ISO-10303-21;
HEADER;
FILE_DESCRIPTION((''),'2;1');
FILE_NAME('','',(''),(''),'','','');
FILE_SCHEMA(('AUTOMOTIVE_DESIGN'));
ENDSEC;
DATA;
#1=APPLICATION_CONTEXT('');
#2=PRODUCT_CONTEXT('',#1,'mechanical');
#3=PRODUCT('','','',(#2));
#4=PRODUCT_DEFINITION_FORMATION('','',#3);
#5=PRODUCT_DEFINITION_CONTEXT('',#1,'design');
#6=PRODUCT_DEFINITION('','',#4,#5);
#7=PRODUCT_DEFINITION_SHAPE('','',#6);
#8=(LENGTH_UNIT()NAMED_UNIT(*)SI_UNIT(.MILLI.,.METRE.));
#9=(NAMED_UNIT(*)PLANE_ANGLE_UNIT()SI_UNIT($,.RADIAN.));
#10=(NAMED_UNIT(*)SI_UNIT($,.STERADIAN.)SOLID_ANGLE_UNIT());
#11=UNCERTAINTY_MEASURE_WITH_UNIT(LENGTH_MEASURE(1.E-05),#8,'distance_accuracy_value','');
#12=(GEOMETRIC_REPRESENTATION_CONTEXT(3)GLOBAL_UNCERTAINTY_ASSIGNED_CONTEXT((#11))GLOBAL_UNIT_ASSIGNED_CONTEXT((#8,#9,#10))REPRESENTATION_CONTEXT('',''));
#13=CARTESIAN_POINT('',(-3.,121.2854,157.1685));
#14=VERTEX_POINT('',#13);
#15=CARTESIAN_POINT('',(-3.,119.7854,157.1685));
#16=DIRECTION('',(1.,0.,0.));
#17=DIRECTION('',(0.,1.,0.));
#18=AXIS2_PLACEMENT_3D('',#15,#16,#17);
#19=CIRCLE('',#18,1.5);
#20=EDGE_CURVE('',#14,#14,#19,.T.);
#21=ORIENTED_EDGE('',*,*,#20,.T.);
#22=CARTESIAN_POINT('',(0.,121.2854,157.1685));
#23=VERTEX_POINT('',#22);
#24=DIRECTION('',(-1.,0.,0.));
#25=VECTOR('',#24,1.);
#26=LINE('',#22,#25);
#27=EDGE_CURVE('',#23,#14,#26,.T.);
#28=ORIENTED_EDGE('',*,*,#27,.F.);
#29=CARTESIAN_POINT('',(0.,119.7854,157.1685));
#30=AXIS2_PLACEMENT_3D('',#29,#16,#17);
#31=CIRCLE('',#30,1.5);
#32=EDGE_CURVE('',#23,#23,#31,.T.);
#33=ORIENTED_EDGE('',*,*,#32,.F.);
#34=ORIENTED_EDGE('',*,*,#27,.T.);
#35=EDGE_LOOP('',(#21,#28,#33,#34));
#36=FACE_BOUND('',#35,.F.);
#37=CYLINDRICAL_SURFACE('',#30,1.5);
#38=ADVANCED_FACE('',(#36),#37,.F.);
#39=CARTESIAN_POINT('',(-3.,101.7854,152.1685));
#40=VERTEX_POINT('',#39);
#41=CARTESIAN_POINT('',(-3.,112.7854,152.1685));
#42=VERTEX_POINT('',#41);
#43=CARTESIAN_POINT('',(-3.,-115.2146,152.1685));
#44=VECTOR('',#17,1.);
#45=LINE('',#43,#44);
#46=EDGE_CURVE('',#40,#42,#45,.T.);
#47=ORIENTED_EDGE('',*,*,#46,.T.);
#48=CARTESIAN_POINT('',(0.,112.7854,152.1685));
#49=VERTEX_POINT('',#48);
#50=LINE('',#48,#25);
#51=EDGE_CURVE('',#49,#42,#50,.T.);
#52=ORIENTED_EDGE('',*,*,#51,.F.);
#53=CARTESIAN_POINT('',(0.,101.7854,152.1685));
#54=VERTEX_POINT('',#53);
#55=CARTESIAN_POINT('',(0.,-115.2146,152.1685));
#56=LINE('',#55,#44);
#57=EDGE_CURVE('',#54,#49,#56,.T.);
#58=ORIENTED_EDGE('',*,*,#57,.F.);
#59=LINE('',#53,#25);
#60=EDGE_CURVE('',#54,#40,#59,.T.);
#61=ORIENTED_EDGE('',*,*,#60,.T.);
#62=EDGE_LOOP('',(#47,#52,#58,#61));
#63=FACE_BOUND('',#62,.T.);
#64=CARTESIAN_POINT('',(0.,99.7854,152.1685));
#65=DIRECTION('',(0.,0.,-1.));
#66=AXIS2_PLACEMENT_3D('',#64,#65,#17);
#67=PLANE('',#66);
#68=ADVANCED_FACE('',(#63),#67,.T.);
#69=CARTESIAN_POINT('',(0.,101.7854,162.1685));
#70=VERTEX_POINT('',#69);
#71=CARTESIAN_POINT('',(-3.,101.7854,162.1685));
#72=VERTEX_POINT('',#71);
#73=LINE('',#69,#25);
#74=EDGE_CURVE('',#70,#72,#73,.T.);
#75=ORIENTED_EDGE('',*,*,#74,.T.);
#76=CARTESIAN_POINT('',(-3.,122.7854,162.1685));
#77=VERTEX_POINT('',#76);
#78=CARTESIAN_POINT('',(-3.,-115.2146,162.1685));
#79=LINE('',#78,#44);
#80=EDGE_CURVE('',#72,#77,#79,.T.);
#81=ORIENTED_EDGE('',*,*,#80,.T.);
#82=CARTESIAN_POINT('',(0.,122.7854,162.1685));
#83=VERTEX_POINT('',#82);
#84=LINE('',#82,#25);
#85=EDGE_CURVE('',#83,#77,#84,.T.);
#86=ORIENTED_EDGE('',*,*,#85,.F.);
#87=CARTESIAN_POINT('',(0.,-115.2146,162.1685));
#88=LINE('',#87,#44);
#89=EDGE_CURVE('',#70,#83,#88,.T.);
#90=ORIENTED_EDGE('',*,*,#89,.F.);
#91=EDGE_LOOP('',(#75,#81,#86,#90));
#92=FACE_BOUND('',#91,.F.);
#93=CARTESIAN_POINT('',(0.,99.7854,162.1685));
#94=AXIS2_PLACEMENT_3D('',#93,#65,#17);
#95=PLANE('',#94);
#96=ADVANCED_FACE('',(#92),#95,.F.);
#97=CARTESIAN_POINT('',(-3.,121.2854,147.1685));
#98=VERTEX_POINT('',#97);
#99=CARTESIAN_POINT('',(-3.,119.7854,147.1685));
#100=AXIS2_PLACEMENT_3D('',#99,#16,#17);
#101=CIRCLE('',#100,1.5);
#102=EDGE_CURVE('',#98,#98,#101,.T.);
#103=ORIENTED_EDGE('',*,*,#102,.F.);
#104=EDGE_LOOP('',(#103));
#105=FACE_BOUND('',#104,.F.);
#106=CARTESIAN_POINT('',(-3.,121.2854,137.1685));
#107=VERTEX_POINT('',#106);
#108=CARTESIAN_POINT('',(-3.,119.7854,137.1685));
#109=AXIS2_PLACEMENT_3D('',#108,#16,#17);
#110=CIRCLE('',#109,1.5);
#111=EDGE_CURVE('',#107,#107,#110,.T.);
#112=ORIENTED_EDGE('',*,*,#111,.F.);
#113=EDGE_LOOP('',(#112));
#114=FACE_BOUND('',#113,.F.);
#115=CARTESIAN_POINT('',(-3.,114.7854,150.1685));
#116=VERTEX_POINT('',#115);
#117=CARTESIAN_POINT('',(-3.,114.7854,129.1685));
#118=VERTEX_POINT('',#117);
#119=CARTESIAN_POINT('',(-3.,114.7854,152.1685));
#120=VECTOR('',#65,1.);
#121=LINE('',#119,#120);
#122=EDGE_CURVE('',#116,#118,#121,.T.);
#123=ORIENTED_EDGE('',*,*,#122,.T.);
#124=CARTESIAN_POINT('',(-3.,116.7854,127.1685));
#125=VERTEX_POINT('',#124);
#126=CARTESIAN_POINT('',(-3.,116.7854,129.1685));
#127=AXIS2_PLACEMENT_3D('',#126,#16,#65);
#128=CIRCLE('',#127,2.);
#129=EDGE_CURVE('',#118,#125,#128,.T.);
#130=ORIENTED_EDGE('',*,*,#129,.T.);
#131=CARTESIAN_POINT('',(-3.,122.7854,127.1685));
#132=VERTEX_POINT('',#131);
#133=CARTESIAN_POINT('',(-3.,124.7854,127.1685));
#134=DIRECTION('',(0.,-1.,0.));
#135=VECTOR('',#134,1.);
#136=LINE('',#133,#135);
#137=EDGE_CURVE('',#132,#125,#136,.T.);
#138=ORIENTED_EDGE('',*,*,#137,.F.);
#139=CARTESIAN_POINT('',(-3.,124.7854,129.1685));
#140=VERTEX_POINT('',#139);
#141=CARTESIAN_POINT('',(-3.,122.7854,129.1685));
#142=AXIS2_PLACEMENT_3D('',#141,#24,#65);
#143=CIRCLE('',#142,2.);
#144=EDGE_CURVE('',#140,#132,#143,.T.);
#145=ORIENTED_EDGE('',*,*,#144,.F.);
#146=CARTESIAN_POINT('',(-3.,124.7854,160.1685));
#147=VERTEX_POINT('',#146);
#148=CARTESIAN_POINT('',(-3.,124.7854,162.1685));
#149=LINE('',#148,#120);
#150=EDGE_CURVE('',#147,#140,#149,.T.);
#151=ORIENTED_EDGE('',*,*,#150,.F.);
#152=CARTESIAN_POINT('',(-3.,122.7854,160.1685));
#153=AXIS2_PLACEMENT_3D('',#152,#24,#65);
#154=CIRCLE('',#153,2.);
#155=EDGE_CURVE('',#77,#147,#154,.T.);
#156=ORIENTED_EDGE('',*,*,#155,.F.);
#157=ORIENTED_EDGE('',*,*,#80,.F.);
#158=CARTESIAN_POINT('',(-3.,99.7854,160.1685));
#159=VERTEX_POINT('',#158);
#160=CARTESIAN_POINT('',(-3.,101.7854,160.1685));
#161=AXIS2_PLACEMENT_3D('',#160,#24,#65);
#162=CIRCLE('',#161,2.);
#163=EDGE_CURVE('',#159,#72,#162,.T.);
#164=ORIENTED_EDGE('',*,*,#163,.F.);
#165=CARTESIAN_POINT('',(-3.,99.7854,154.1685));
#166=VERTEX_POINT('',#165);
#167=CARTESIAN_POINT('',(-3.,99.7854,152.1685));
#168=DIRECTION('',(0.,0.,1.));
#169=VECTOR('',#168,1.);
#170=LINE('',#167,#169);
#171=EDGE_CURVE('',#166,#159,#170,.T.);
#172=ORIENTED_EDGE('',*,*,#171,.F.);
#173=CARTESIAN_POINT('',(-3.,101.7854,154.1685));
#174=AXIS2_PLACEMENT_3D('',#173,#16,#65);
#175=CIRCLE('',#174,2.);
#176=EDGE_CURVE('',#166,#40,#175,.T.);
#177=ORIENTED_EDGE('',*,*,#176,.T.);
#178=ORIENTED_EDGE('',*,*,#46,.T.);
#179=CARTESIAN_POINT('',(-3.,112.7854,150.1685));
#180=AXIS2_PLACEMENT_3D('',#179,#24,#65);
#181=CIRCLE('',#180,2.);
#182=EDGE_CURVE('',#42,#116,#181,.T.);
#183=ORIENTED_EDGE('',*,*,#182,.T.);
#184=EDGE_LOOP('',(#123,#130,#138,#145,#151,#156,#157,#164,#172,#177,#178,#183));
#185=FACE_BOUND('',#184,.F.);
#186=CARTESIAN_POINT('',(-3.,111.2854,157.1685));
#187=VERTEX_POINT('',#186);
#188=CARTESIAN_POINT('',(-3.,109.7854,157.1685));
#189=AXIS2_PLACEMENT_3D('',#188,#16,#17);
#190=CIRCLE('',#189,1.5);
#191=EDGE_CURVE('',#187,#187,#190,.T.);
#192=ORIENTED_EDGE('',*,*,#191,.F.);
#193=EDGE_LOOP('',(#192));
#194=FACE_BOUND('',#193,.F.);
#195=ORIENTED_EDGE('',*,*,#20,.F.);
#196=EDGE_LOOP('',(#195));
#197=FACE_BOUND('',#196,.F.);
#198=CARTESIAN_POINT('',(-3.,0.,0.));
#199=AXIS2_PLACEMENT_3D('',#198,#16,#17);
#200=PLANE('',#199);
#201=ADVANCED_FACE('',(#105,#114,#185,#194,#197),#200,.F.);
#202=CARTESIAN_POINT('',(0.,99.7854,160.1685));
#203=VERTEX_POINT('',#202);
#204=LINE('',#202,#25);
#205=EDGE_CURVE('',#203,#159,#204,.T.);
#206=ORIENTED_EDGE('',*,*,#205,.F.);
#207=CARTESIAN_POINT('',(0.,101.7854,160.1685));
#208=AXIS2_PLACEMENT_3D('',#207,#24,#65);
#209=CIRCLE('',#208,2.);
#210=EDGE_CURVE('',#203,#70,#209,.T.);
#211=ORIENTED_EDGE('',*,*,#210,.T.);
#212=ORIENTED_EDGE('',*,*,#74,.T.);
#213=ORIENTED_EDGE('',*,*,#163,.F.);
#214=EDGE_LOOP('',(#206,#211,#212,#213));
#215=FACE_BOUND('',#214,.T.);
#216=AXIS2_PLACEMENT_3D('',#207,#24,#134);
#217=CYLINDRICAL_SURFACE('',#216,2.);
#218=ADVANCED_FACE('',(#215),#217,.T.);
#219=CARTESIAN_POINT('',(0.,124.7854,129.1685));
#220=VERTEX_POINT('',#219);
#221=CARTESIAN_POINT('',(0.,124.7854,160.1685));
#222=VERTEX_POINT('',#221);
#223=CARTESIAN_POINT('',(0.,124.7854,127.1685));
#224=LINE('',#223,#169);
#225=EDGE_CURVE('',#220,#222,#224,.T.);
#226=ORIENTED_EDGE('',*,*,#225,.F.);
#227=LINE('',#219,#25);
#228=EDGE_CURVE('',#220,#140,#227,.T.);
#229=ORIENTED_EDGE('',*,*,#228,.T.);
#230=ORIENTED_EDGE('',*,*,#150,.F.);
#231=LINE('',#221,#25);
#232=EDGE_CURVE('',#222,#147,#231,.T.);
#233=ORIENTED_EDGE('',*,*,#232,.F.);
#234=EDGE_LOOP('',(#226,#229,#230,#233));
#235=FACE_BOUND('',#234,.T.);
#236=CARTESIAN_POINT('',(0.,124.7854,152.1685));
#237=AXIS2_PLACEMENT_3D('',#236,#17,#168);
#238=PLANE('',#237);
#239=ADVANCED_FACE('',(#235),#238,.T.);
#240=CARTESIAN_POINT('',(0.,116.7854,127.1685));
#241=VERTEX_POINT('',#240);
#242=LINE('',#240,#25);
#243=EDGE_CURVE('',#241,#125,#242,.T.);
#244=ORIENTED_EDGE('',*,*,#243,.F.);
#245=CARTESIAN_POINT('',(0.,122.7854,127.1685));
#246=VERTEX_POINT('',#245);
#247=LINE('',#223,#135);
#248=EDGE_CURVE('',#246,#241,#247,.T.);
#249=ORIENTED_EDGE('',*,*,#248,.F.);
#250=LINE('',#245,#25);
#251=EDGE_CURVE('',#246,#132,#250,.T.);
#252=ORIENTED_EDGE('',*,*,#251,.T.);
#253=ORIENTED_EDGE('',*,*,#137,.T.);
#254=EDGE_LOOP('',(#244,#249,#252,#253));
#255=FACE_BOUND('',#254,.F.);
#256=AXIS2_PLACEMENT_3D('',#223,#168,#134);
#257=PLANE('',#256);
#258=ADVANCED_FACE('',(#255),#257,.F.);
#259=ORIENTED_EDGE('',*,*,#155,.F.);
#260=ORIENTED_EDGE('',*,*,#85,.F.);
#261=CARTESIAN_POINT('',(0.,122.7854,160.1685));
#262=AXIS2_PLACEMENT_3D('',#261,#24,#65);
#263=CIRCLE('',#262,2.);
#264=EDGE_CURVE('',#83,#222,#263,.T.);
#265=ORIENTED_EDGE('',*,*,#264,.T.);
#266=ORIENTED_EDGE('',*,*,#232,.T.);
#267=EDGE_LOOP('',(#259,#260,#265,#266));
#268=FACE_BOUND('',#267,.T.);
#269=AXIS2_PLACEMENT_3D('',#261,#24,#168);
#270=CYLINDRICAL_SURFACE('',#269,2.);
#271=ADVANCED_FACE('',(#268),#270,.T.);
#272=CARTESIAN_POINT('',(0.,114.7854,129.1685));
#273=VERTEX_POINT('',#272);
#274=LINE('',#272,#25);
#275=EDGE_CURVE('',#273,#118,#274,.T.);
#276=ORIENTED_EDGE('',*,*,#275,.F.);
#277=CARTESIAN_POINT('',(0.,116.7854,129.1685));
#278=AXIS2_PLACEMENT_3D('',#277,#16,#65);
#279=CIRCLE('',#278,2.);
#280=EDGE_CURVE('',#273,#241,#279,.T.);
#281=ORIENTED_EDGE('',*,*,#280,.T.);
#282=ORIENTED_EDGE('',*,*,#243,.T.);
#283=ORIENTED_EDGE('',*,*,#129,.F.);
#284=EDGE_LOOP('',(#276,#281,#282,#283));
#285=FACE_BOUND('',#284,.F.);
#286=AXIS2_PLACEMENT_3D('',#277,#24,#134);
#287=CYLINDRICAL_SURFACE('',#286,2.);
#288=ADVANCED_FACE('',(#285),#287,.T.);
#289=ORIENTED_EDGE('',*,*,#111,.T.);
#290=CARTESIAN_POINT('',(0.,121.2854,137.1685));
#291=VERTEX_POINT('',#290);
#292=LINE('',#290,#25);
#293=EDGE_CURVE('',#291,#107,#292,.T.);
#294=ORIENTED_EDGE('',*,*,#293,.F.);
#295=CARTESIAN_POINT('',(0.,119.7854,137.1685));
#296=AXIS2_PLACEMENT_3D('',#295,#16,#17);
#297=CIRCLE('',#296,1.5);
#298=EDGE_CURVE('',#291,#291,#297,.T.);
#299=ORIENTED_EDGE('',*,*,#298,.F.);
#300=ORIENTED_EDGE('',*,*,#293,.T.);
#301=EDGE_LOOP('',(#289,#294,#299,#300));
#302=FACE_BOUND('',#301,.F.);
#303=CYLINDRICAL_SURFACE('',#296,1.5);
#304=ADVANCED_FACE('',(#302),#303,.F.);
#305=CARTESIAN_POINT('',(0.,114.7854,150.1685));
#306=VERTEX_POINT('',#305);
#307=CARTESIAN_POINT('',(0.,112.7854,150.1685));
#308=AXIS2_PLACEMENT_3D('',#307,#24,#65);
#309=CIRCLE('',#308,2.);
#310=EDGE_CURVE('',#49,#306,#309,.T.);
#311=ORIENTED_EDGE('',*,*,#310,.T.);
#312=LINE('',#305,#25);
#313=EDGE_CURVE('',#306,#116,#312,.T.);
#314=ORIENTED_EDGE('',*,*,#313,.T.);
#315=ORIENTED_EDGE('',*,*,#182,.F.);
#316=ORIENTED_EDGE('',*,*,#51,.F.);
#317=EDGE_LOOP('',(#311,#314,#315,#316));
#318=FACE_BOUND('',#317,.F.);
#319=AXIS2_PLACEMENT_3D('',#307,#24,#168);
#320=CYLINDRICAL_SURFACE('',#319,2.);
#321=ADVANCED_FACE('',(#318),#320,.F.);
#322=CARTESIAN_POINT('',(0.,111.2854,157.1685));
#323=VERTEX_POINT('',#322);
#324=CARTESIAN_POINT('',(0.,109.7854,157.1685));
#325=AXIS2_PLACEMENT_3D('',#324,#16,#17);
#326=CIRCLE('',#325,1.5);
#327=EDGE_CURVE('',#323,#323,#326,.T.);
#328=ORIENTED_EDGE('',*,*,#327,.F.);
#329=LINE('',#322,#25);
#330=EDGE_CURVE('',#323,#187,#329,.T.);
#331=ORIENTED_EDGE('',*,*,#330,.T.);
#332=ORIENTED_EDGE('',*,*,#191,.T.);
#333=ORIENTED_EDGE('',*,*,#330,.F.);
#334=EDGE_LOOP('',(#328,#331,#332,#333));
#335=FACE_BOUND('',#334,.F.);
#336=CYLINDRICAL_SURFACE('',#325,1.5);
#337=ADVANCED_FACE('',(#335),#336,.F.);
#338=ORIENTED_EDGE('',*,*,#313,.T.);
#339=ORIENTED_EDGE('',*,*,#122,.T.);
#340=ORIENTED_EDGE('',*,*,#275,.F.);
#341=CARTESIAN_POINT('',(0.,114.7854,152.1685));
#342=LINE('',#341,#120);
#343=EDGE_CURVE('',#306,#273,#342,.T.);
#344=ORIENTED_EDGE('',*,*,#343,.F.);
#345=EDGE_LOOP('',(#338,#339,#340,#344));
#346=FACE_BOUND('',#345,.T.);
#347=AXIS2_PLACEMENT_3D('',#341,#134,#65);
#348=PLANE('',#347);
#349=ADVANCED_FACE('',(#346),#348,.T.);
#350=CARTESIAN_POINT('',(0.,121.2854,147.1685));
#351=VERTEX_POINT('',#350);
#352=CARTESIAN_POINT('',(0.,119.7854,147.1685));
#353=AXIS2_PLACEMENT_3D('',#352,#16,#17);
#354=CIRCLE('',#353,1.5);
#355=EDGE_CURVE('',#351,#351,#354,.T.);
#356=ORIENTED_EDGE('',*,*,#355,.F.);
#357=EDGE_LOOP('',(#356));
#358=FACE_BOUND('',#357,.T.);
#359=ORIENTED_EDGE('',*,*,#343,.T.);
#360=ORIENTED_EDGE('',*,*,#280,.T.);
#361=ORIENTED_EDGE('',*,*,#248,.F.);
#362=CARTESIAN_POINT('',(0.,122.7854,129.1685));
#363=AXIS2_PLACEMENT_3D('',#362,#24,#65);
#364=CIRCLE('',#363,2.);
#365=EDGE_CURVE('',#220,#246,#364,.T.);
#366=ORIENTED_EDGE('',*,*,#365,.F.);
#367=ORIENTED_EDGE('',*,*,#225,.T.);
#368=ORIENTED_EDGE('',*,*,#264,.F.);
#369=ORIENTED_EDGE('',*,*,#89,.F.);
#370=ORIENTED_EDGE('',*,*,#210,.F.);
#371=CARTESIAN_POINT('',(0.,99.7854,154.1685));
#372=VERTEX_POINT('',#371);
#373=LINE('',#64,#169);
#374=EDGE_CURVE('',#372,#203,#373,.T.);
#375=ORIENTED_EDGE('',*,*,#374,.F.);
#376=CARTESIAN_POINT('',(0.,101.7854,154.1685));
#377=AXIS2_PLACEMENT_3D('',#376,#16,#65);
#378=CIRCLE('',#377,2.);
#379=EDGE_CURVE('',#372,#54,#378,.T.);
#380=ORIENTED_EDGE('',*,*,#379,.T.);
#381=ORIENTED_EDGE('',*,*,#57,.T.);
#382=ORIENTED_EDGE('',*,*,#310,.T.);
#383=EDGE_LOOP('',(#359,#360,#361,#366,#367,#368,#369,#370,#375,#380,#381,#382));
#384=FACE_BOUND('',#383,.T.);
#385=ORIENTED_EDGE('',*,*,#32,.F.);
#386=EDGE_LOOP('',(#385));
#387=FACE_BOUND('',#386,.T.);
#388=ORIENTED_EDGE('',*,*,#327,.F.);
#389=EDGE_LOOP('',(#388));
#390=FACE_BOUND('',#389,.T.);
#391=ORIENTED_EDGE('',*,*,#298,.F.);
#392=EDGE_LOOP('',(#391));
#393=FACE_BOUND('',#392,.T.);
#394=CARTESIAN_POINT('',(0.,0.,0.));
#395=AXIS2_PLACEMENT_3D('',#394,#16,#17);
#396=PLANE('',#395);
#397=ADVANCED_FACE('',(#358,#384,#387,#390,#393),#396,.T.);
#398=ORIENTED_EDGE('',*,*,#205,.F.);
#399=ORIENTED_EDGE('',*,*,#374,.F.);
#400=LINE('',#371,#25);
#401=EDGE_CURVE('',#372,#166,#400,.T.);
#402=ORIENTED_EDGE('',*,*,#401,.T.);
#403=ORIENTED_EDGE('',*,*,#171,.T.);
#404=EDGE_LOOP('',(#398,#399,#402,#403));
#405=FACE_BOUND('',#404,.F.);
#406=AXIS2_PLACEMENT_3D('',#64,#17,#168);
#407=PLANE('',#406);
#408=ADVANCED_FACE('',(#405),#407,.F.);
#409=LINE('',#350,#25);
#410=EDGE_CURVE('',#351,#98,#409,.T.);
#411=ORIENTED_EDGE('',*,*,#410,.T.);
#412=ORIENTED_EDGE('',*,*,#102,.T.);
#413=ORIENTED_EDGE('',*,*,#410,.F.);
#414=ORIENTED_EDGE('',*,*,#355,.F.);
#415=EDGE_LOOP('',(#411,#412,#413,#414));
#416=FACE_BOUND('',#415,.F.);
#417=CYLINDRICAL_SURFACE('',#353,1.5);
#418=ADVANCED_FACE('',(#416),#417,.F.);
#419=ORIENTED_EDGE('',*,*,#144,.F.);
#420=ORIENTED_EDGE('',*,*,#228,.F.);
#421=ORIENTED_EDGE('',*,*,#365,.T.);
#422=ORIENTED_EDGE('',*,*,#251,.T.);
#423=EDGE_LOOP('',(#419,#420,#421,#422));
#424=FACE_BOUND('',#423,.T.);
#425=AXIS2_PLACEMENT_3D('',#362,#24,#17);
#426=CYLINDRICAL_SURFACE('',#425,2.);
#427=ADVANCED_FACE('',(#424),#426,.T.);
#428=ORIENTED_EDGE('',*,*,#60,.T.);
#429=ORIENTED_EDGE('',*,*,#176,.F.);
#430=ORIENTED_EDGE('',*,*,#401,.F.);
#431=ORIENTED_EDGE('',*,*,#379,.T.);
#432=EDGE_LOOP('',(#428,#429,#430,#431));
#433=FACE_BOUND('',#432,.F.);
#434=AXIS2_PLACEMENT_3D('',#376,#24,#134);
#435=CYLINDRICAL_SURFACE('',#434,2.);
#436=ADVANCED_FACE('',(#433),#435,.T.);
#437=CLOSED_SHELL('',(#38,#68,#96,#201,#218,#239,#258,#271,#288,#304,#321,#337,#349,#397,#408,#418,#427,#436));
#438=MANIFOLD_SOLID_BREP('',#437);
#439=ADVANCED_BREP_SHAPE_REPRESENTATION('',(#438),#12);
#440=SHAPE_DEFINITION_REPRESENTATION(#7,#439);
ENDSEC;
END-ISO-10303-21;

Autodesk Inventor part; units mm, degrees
ref_plane "YZ Plane" through (0, 0, 0) normal (1, 0, 0) x (0, 1, 0)
ref_plane "XZ Plane" through (0, 0, 0) normal (0, 1, 0) x (-1, 0, 0)
ref_plane "XY Plane" through (0, 0, 0) normal (0, 0, 1) x (1, 0, 0)
sketch "スケッチ1" plane through (0, 0, 0) normal (1, 0, 0) x (0, 1, 0)
  line L0 (-115.2146, 152.1685) -> (124.7854, 152.1685)
  line L1 (124.7854, 152.1685) -> (114.7854, 152.1685)
  line L2 (114.7854, 152.1685) -> (114.7854, -77.8315)
  line L3 (114.7854, -77.8315) -> (124.7854, -77.8315)
  line L4 (124.7854, -77.8315) -> (124.7854, 152.1685)
  line L5 (-115.2146, 152.1685) -> (-105.2146, 152.1685)
  line L6 (-105.2146, 152.1685) -> (-105.2146, -77.8315)
  line L7 (-105.2146, -77.8315) -> (-115.2146, -77.8315)
  line L8 (-115.2146, -77.8315) -> (-115.2146, 152.1685)
  line L9 (124.7854, 152.1685) -> (124.7854, 162.1685)
  line L10 (-115.2146, 162.1685) -> (124.7854, 162.1685)
  line L11 (4.7854, 162.1685) -> (4.7854, -110.7311)
  line L12 (124.7854, 127.1685) -> (114.7854, 127.1685)
  line L13 (99.7854, 152.1685) -> (99.7854, 162.1685)
  circle A0 centre (119.7854, 137.1685) radius 1.5
  circle A1 centre (119.7854, 147.1685) radius 1.5
  circle A2 centre (119.7854, 157.1685) radius 1.5
  circle A3 centre (109.7854, 157.1685) radius 1.5
  line L14 (114.7854, 152.1685) -> (99.7854, 152.1685)
  line L15 (124.7854, 152.1685) -> (124.7854, 162.1685)
  line L16 (124.7854, 162.1685) -> (99.7854, 162.1685)
  point P0 (0, 0)
  point P1 (4.7854, -147.8315)
  point P2 (-110.2146, 157.1685)
  point P3 (-100.2146, 157.1685)
  point P4 (-110.2146, 147.1685)
  point P5 (-110.2146, 137.1685)
  dimension "d0" = 10
  dimension "d1" = 230
  dimension "d2" = 10
  dimension "d3" = 230
  dimension "d4" = 5
  dimension "d5" = 10
  dimension "d6" = 5
  dimension "d7" = 5
  dimension "d8" = 5
  dimension "d9" = 10
  dimension "d10" = 5
  dimension "d11" = 5
  dimension "d12" = 10
  dimension "d13" = 10
  dimension "d14" = 3
  dimension "d15" = 3
  dimension "d16" = 3
  dimension "d17" = 3
extrude "押し出し1" add sketch "スケッチ1" against normal blind 3 contours L13 L10 L9 L0 | L0 L4 L12 L2
fillet "フィレット1" radius 2 6 edges at (-1.5, 124.7854, 162.1685) (-1.5, 124.7854, 127.1685) (-1.5, 114.7854, 127.1685) (-1.5, 114.7854, 152.1685) (-1.5, 99.7854, 152.1685) (-1.5, 99.7854, 162.1685)
sketch "スケッチ3" plane through (0, 0, 0) normal (1, 0, 0) x (0, 0, -1)
  circle A0 centre (-157.1685, 119.7854) radius 1.5 projected
  circle A1 centre (-157.1685, 109.7854) radius 1.5 projected
  circle A2 centre (-147.1685, 119.7854) radius 1.5 projected
  circle A3 centre (-137.1685, 119.7854) radius 1.5 projected
  arc A4 (-162.1685, 101.7854) -> (-160.1685, 99.7854) centre (-160.1685, 101.7854) ccw projected
  line L0 (-160.1685, 99.7854) -> (-154.1685, 99.7854) projected
  arc A5 (-154.1685, 99.7854) -> (-152.1685, 101.7854) centre (-154.1685, 101.7854) ccw projected
  line L1 (-152.1685, 101.7854) -> (-152.1685, 112.7854) projected
  arc A6 (-150.1685, 114.7854) -> (-152.1685, 112.7854) centre (-150.1685, 112.7854) ccw projected
  line L2 (-150.1685, 114.7854) -> (-129.1685, 114.7854) projected
  arc A7 (-129.1685, 114.7854) -> (-127.1685, 116.7854) centre (-129.1685, 116.7854) ccw projected
  line L3 (-127.1685, 116.7854) -> (-127.1685, 122.7854) projected
  arc A8 (-127.1685, 122.7854) -> (-129.1685, 124.7854) centre (-129.1685, 122.7854) ccw projected
  line L4 (-129.1685, 124.7854) -> (-160.1685, 124.7854) projected
  arc A9 (-160.1685, 124.7854) -> (-162.1685, 122.7854) centre (-160.1685, 122.7854) ccw projected
  line L5 (-162.1685, 122.7854) -> (-162.1685, 101.7854) projected
  point P0 (0, 0)
equation "\"d7\" = d6"
equation "\"d11\" = d10"
properties part number "belt_liner_v1_MDF_F_1" material "MDF 中密度繊維ボード"
